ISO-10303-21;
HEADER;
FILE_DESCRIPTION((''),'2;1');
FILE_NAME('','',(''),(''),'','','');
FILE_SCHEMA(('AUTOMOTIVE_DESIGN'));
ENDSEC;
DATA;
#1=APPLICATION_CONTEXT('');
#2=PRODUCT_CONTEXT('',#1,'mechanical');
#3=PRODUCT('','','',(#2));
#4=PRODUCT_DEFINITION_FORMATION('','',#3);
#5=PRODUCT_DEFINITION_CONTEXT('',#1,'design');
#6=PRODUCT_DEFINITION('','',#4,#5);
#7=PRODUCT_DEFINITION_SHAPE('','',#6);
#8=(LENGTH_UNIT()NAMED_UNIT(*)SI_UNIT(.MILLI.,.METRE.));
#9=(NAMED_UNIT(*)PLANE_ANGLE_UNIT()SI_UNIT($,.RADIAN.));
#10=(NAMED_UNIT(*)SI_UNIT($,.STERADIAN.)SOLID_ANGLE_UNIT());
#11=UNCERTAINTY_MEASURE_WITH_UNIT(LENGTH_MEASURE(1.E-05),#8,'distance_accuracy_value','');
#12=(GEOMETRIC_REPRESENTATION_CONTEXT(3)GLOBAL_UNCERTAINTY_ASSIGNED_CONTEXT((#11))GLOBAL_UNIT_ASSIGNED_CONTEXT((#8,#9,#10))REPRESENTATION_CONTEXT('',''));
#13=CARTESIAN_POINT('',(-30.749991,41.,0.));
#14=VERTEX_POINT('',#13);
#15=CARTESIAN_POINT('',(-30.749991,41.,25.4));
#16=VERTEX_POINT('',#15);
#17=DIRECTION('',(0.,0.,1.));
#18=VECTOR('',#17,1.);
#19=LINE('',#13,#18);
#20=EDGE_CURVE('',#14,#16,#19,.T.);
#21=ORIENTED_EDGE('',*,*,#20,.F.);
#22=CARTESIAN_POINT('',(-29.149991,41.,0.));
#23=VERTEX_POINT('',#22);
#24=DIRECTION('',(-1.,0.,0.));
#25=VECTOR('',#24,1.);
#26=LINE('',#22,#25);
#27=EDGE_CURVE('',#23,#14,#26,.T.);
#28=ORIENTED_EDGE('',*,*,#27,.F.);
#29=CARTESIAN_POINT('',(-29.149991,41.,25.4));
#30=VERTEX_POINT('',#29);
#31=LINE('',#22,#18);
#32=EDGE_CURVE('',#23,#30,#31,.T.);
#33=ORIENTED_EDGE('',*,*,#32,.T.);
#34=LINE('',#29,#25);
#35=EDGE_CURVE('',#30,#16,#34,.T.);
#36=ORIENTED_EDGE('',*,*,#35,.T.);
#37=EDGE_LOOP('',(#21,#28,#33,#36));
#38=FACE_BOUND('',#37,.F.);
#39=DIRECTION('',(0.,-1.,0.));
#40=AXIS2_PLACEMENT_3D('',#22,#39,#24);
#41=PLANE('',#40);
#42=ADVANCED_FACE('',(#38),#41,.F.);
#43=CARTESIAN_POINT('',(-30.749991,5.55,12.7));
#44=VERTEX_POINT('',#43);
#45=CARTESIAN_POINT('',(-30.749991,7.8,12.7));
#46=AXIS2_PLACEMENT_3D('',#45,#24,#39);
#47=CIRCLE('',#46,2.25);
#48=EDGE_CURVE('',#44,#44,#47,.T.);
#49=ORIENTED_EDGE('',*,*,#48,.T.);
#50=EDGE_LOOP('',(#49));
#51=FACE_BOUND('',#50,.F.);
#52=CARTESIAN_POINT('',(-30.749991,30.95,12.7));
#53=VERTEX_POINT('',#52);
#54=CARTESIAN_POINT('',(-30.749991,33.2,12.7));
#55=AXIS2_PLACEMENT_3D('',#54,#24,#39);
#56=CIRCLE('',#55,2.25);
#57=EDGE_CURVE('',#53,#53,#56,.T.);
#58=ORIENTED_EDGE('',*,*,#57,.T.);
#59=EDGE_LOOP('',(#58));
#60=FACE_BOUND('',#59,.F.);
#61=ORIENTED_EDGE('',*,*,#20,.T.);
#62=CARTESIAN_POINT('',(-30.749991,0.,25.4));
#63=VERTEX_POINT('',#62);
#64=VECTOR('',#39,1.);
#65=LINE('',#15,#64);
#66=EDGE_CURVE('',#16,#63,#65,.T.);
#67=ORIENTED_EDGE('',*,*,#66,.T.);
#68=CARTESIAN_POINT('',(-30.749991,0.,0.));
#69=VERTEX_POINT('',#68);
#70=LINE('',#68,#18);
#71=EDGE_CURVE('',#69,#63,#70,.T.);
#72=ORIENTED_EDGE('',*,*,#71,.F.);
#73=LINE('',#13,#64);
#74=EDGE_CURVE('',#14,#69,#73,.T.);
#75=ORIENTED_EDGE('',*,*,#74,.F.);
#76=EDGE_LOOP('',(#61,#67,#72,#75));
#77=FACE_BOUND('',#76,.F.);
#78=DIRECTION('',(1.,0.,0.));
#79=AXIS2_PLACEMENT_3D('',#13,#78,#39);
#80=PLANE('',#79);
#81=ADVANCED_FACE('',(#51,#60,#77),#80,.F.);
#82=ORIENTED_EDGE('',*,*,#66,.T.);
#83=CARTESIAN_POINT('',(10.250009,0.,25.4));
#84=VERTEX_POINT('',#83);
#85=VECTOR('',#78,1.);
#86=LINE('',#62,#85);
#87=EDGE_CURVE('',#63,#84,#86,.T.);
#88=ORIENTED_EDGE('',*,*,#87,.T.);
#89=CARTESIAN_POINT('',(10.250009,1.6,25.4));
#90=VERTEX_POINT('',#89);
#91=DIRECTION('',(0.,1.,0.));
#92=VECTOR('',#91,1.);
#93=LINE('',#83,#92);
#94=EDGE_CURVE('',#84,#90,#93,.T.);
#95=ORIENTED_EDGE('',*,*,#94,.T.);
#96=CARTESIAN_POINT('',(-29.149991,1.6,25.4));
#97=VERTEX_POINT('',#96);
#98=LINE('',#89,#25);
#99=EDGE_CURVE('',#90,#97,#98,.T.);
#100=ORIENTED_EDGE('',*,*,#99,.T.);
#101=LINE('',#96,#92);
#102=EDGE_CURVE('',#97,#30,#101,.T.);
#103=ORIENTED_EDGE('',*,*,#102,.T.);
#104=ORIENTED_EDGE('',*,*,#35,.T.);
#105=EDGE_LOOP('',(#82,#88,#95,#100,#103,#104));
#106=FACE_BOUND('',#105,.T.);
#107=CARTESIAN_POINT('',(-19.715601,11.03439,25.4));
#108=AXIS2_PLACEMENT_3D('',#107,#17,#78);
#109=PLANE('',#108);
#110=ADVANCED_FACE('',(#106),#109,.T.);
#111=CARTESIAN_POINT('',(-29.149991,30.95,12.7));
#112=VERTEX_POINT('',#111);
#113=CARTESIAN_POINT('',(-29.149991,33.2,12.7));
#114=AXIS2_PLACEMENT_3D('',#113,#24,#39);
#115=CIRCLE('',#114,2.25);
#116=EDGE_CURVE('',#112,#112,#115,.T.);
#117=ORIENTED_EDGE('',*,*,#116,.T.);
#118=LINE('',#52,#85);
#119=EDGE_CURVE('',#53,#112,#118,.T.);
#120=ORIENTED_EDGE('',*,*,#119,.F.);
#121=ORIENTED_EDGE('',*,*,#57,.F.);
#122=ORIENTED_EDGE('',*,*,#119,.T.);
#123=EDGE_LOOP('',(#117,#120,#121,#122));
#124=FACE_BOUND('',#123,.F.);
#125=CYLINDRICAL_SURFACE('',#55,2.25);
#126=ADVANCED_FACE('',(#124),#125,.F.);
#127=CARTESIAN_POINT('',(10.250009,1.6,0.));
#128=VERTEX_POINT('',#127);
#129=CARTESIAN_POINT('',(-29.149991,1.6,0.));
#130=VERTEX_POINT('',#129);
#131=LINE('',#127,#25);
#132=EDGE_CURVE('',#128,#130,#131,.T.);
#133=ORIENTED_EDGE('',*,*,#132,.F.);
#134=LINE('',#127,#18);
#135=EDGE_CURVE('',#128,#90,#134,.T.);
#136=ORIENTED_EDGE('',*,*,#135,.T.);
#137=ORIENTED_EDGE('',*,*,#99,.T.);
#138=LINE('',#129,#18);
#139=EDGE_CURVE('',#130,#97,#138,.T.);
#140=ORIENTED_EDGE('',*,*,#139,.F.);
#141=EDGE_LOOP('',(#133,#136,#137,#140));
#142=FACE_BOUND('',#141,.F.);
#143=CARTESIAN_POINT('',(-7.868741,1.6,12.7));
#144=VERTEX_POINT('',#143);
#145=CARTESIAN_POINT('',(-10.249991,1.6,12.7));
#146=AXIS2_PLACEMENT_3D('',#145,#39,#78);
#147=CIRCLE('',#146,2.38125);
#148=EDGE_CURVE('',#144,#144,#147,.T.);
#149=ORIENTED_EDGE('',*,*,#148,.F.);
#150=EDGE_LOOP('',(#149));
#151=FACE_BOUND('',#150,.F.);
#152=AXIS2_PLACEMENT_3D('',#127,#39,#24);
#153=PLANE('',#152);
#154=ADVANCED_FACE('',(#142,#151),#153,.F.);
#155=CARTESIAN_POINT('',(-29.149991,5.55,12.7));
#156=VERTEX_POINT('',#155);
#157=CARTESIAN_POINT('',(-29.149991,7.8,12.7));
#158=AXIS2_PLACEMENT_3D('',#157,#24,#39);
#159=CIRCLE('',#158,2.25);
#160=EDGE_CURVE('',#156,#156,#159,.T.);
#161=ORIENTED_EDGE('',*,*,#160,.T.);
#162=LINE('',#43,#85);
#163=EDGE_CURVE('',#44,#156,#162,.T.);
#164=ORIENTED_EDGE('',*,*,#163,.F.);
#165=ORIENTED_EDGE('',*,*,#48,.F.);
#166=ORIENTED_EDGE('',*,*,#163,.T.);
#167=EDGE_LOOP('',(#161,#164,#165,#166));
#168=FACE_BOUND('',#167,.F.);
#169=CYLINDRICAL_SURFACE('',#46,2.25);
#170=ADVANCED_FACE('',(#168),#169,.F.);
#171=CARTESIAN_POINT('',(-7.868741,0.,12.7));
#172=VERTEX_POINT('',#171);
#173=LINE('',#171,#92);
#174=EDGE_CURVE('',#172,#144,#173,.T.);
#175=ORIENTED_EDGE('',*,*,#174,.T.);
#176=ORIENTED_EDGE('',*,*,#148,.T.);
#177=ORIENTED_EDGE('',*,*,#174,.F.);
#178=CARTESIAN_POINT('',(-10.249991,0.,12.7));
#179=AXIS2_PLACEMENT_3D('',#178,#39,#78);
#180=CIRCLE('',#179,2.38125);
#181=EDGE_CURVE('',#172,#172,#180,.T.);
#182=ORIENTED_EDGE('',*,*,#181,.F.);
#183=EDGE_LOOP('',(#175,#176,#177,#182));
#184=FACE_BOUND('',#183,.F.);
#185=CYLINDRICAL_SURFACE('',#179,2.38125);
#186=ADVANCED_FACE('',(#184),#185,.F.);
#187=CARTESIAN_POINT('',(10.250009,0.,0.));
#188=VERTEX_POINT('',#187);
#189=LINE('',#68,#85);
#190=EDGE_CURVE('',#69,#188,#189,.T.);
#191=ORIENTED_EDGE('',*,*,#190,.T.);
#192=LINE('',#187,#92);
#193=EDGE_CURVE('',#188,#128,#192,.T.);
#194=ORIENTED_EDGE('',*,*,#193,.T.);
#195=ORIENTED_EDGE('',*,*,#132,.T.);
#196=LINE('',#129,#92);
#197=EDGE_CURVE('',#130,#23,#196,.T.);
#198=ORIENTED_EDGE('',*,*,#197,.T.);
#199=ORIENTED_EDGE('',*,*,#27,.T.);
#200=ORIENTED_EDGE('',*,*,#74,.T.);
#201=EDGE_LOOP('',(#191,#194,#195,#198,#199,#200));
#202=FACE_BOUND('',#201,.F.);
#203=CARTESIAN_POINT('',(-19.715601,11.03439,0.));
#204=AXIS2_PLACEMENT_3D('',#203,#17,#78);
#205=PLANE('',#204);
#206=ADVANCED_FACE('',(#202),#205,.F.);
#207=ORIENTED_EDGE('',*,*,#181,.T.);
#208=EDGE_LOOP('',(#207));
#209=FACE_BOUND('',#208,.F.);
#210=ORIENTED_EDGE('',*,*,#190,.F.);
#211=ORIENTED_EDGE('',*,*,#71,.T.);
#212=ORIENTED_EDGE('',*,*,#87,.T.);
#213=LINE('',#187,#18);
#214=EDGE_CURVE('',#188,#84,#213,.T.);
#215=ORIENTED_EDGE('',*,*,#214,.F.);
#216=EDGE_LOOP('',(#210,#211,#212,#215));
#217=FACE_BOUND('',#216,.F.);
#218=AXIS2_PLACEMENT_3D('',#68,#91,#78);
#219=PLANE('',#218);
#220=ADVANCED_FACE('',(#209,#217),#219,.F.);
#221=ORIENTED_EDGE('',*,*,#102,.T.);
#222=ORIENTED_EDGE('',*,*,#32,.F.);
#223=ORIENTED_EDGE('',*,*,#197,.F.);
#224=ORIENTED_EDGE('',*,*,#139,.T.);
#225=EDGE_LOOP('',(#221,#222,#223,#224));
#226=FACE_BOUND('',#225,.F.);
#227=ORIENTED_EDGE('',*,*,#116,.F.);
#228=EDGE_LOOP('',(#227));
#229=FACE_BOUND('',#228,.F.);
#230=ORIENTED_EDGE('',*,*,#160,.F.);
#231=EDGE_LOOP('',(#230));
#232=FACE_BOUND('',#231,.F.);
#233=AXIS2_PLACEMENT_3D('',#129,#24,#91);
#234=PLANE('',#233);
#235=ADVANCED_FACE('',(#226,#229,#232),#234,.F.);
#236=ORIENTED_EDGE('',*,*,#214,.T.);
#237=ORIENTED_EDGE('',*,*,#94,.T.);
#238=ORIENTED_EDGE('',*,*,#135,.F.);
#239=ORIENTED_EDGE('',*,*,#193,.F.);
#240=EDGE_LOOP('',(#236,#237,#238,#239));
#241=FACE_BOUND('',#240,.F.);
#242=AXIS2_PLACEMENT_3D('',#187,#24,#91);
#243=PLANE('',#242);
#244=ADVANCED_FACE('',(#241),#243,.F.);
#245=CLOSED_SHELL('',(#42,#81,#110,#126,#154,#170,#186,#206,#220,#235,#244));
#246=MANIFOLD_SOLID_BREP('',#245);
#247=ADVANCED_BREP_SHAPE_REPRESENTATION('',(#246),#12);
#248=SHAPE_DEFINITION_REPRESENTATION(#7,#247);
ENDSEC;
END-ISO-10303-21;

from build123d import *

# Parameters (mm, degrees)
F1_DEPTH = 25.4
F2_R     = 2.25
F3_DEPTH = 41.001
F4_R     = 2.38125
F5_DEPTH = 41.001


with BuildPart() as f1:
    # F0 (on Top) → F1 (new body)
    with BuildSketch(Plane.XY):
        Polygon((-29.149991, 41), (-30.749991, 41), (-30.749991, 0), (10.250009, 0), (10.250009, 1.6), (-29.149991, 1.6), align=None)
    extrude(amount=F1_DEPTH)

    # F2 (on face) → F3 (cut, through all)
    with BuildSketch(Plane(origin=(-30.749991, 0, 0), x_dir=(0, -1, 0), z_dir=(-1, 0, 0))):
        with Locations((-33.2, 12.7)):
            Circle(F2_R)
        with Locations((-7.8, 12.7)):
            Circle(F2_R)
    extrude(amount=-F3_DEPTH, mode=Mode.SUBTRACT)

    # F4 (on face) → F5 (cut, through all)
    with BuildSketch(Plane.XZ):
        with Locations((-10.249991, 12.7)):
            Circle(F4_R)
    extrude(amount=-F5_DEPTH, mode=Mode.SUBTRACT)


solid = f1.part
